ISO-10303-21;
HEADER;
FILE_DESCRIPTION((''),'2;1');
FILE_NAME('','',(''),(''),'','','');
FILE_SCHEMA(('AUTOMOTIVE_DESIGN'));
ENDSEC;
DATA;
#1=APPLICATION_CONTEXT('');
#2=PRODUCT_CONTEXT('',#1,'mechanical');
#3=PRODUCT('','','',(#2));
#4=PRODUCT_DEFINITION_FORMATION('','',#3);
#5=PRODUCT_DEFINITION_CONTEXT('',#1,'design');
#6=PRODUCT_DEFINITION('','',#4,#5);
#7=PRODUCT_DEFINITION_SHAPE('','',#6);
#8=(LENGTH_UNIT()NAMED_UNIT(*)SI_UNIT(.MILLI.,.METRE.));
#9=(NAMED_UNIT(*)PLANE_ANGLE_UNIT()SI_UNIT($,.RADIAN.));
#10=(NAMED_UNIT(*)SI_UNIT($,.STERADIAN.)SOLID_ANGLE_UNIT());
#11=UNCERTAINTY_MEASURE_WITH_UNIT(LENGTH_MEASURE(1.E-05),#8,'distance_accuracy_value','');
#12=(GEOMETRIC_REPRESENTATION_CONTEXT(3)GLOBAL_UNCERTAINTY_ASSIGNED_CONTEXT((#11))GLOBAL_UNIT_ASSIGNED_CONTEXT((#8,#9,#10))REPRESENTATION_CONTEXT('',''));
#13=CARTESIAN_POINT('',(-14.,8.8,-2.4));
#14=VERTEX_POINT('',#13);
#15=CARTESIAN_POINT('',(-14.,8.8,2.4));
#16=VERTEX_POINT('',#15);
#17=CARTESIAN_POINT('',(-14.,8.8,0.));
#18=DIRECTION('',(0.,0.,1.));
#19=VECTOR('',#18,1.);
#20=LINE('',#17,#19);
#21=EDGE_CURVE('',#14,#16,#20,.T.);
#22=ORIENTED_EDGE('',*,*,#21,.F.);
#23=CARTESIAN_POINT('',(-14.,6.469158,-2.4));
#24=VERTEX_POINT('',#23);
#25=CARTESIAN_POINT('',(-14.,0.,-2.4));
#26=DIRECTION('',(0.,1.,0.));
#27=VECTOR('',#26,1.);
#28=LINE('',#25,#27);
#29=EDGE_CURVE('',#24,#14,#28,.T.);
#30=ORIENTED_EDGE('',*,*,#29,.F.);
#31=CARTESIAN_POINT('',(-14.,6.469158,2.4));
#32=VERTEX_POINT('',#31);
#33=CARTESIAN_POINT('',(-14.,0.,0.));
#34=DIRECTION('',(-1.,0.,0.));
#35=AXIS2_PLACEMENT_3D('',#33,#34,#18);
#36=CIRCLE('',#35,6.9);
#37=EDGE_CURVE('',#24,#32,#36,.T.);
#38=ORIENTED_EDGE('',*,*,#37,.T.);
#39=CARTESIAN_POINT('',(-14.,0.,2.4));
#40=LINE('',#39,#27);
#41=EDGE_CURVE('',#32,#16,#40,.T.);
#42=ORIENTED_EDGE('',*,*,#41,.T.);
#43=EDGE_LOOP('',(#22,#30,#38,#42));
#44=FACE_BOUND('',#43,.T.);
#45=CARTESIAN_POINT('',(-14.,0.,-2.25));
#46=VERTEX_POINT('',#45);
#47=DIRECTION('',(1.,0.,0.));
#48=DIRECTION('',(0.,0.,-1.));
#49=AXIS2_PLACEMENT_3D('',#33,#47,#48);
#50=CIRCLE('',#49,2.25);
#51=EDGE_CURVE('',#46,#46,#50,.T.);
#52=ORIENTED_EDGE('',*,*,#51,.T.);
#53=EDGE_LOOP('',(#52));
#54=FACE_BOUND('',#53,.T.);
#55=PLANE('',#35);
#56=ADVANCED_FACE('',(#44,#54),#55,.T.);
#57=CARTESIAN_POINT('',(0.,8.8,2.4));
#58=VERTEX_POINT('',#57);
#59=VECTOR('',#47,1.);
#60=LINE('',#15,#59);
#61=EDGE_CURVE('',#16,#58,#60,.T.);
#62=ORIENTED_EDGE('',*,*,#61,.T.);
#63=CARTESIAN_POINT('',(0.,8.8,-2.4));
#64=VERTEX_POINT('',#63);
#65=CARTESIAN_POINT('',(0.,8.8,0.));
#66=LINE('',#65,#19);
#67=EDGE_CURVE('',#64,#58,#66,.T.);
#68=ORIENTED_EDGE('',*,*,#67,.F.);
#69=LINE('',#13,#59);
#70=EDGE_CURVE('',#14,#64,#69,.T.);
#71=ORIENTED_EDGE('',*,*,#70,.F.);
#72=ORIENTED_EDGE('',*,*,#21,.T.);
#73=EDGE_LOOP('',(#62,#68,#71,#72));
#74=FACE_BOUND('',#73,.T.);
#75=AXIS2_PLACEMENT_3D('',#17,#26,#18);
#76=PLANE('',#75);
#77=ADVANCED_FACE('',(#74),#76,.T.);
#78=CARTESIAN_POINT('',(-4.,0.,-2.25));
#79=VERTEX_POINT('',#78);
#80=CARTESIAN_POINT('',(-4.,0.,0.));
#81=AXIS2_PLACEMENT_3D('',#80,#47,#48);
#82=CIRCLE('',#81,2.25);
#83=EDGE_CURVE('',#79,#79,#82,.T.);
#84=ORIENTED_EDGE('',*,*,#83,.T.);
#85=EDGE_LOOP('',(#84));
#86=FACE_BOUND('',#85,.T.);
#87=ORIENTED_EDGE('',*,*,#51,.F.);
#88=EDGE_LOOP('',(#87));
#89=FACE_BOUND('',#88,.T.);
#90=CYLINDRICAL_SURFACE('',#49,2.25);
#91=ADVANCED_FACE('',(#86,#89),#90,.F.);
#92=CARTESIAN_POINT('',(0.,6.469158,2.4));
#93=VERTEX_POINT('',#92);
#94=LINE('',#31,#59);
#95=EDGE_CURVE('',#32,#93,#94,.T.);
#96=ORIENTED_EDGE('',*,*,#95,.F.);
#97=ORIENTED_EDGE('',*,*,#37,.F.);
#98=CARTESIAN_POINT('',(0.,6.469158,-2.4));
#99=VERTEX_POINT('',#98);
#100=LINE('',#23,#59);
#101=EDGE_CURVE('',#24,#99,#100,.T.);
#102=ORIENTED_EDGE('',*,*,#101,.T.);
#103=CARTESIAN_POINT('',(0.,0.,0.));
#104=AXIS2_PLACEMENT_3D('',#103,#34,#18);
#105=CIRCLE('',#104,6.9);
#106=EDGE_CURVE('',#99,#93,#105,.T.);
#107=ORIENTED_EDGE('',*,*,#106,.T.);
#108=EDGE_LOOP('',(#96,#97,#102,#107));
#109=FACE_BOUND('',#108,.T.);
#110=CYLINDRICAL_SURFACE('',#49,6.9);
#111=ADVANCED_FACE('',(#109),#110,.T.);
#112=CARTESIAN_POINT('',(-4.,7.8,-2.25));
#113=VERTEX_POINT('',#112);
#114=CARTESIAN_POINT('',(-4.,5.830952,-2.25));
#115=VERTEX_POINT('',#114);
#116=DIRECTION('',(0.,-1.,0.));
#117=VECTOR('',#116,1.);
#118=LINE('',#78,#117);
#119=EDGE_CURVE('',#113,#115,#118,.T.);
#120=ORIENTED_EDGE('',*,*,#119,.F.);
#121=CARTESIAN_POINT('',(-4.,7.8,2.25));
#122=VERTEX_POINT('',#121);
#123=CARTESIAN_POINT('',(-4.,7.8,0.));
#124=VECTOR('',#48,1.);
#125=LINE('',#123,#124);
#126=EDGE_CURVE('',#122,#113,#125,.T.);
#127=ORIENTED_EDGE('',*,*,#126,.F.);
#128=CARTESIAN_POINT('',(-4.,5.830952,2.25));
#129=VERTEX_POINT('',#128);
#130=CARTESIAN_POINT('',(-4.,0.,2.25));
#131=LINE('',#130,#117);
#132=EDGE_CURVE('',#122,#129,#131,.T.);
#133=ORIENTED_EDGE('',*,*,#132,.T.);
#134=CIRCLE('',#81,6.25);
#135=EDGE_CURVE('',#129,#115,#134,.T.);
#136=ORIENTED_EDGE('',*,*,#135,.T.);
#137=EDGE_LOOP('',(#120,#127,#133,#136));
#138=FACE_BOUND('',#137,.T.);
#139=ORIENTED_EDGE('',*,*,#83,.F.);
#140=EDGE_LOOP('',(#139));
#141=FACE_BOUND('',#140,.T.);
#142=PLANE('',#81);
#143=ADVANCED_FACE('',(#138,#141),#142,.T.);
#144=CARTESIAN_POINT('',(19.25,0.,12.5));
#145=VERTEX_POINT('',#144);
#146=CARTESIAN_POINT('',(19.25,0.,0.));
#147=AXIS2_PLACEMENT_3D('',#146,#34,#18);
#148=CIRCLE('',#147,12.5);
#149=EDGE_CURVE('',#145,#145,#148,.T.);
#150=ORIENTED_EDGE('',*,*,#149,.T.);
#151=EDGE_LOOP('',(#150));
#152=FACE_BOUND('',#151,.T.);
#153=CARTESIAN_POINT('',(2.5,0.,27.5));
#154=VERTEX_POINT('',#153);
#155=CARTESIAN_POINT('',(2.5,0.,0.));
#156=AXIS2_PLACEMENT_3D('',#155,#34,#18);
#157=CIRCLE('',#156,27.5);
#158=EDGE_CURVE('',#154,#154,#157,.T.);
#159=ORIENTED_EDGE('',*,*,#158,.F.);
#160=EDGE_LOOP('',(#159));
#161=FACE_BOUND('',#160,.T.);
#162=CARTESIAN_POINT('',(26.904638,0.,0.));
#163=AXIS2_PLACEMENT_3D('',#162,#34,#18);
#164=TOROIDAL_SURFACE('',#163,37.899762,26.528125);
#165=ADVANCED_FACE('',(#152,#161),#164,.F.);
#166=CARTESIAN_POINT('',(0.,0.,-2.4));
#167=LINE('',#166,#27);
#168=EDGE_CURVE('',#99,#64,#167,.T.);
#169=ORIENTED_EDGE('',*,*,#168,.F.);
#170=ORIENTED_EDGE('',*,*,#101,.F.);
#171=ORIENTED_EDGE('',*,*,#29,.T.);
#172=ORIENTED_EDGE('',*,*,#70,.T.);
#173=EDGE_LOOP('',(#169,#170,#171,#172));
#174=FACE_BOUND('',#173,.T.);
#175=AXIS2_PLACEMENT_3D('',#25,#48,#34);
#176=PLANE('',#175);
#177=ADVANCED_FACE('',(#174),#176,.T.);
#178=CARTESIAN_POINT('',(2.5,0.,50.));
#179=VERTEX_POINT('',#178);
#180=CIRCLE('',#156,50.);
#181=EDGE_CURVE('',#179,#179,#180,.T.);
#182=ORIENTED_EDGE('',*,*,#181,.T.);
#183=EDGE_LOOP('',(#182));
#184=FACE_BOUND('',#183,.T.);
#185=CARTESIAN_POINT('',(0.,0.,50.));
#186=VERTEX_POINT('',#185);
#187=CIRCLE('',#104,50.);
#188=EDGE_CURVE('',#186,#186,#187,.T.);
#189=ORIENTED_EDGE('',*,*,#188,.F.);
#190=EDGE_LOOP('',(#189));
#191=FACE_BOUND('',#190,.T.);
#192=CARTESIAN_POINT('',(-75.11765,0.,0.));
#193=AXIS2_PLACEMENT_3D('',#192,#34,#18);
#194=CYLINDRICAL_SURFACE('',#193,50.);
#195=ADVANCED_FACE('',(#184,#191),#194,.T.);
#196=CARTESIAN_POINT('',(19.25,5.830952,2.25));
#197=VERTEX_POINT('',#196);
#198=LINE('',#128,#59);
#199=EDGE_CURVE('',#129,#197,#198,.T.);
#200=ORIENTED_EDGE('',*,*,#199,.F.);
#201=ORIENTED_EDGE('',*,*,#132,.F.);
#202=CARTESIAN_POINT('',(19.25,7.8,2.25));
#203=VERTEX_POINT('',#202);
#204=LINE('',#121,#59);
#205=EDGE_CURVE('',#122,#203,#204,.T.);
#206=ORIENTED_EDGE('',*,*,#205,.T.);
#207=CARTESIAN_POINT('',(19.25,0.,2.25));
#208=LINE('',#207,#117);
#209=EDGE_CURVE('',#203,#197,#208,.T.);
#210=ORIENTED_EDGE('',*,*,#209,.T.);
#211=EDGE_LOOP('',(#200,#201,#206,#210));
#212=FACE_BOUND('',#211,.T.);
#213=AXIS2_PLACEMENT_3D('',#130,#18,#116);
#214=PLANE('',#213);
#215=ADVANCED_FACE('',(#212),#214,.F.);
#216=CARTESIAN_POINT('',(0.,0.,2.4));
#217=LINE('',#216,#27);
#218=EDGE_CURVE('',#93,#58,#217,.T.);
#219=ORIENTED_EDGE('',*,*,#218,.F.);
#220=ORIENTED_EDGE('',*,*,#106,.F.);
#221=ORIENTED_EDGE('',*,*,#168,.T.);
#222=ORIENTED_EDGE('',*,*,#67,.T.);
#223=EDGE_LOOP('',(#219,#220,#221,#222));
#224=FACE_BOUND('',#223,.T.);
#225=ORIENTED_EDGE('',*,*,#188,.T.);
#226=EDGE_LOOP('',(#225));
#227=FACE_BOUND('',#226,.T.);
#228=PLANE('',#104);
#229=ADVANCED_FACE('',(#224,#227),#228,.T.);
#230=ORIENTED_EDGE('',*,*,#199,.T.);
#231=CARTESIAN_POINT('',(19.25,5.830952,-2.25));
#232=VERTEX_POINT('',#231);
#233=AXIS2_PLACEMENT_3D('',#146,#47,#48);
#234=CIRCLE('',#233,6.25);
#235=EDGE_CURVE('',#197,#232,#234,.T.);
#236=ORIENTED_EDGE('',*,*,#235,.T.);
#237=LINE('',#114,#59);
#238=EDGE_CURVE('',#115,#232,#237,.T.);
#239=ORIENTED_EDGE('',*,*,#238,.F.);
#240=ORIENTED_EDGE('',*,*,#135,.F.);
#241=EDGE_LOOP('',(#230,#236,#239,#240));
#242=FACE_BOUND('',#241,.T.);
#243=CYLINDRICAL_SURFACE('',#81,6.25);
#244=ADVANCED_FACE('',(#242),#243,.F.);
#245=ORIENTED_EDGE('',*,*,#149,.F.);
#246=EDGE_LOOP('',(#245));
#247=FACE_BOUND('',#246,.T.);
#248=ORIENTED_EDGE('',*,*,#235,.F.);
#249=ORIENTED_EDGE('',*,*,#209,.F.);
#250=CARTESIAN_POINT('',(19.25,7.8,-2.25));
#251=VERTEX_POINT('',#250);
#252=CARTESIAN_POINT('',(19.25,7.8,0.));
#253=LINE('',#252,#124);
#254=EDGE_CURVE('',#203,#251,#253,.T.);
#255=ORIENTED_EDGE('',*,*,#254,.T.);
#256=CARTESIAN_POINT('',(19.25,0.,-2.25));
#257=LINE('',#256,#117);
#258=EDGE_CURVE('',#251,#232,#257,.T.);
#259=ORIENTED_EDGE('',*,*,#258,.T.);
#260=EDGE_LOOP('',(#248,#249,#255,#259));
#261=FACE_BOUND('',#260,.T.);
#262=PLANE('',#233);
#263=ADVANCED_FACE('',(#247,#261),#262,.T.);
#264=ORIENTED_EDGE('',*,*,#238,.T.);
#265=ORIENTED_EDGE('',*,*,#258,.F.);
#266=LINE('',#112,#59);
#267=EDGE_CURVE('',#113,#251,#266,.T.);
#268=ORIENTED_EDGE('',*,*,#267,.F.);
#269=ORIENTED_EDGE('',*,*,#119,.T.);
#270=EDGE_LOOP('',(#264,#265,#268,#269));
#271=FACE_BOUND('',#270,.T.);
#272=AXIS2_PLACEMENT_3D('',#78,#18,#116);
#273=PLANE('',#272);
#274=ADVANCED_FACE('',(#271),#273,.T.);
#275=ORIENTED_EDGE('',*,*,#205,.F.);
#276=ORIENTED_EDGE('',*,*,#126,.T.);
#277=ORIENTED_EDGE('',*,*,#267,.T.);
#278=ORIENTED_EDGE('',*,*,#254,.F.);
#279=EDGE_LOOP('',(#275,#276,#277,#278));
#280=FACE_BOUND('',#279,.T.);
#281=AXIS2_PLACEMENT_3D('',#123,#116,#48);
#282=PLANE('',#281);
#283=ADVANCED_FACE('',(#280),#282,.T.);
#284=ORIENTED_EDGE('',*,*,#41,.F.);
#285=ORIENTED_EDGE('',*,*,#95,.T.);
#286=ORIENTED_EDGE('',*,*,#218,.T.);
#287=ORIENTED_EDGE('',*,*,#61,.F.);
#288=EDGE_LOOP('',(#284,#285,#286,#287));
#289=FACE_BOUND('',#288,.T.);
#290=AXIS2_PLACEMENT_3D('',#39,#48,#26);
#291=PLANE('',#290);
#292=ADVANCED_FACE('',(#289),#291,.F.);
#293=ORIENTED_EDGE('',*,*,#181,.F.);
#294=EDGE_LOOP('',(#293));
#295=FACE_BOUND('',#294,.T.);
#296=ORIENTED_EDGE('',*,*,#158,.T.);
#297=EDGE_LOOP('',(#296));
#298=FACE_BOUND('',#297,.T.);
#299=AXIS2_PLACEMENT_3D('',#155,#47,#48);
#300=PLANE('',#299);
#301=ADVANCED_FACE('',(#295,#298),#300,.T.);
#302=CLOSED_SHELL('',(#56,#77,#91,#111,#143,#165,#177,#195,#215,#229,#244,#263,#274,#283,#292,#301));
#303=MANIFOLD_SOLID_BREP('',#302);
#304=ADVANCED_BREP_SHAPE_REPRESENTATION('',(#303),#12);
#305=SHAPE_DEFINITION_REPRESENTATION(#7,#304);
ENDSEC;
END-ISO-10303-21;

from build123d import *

# Parameters (mm, degrees)
SKETCH1_W           = 2.5
SKETCH1_H           = 22.5
BOSS_EXTRUDE1_DEPTH = 14
CUT_EXTRUDE2_DEPTH  = 23.25
SKETCH6_R           = 2.25
CUT_EXTRUDE3_DEPTH  = 75.434954826
SKETCH7_R           = 50
SKETCH7_R_2         = 12.65
CUT_EXTRUDE6_DEPTH  = 74.284121745


with BuildPart() as part:
    # Sketch1 → Revolve1 (revolve)
    with BuildSketch(Plane.XY, mode=Mode.PRIVATE) as revolve1_sk:
        Polygon((0, 12.65), (0, 0), (19.25, 0), (19.25, 9.144072085), (9.207200807, 18.137623601), (-1.247452839, 27.5), (-3, 27.5), (-3, 12.65), align=None)
        with BuildLine():
            Line((-1.247452839, 27.5), (9.207200807, 18.137623601))
            ThreePointArc((9.207200807, 18.137623601), (5.339394973, 22.45043534), (2.5, 27.5))
            Line((2.5, 27.5), (0, 27.5))
            Line((0, 27.5), (-1.247452839, 27.5))
        make_face()
        with BuildLine():
            Line((9.207200807, 18.137623601), (19.25, 9.144072085))
            Line((19.25, 9.144072085), (19.25, 12.5))
            ThreePointArc((19.25, 12.5), (13.918967856, 14.767235866), (9.207200807, 18.137623601))
        make_face()
        with Locations((1.25, 38.75)):
            Rectangle(SKETCH1_W, SKETCH1_H)
    revolve(revolve1_sk.sketch.rotate(Axis((-75.117650177, 0, 0), (1, 0, 0)), 90), axis=Axis((-75.117650177, 0, 0), (1, 0, 0)))

    # Sketch3 → Boss-Extrude1 (add)
    with BuildSketch(Plane.ZY):
        with BuildLine():
            Line((-2.4, 8.8), (-2.4, 6.469157596))
            ThreePointArc((-2.4, 6.469157596), (0, 6.9), (2.4, 6.469157596))
            Line((2.4, 6.469157596), (2.4, 8.8))
            Line((2.4, 8.8), (-2.4, 8.8))
        make_face()
        with BuildLine():
            Line((-2.4, 6.469157596), (-2.4, 0))
            Line((-2.4, 0), (2.4, 0))
            Line((2.4, 0), (2.4, 6.469157596))
            ThreePointArc((2.4, 6.469157596), (0, 6.9), (-2.4, 6.469157596))
        make_face()
        with BuildLine():
            Line((2.4, 0), (-2.4, 0))
            Line((-2.4, 0), (-2.4, 6.469157596))
            ThreePointArc((-2.4, 6.469157596), (-3.940177661, -5.664362277), (6.9, 0))
            ThreePointArc((6.9, 0), (5.664362277, 3.940177661), (2.4, 6.469157596))
            Line((2.4, 6.469157596), (2.4, 0))
        make_face()
    extrude(amount=BOSS_EXTRUDE1_DEPTH)

    # Sketch5 → Cut-Extrude2 (cut)
    with BuildSketch(Plane(origin=(19.25, 0, 0), x_dir=(0, 0, -1), z_dir=(1, 0, 0))):
        with BuildLine():
            Line((2.25, 7.8), (-2.25, 7.8))
            Line((-2.25, 7.8), (-2.25, 5.830951895))
            ThreePointArc((-2.25, 5.830951895), (0, 6.25), (2.25, 5.830951895))
            Line((2.25, 5.830951895), (2.25, 7.8))
        make_face()
        with BuildLine():
            ThreePointArc((2.25, 5.830951895), (0, 6.25), (-2.25, 5.830951895))
            Line((-2.25, 5.830951895), (-2.25, 0))
            Line((-2.25, 0), (2.25, 0))
            Line((2.25, 0), (2.25, 5.830951895))
        make_face()
        with BuildLine():
            Line((-2.25, 0), (-2.25, 5.830951895))
            ThreePointArc((-2.25, 5.830951895), (-3.535533906, -5.153882032), (6.25, 0))
            ThreePointArc((6.25, 0), (5.153882032, 3.535533906), (2.25, 5.830951895))
            Line((2.25, 5.830951895), (2.25, 0))
            Line((2.25, 0), (-2.25, 0))
        make_face()
    extrude(amount=-CUT_EXTRUDE2_DEPTH, mode=Mode.SUBTRACT)

    # Sketch6 → Cut-Extrude3 (cut, through all)
    with BuildSketch(Plane(origin=(-4, 0, 0), x_dir=(0, 0, -1), z_dir=(1, 0, 0))):
        Circle(SKETCH6_R)
    extrude(amount=-CUT_EXTRUDE3_DEPTH, mode=Mode.SUBTRACT)

    # Sketch7 → Cut-Extrude6 (cut, through all)
    with BuildSketch(Plane.ZY):
        Circle(SKETCH7_R)
        Circle(SKETCH7_R_2, mode=Mode.SUBTRACT)
    extrude(amount=CUT_EXTRUDE6_DEPTH, mode=Mode.SUBTRACT)


solid = part.part
